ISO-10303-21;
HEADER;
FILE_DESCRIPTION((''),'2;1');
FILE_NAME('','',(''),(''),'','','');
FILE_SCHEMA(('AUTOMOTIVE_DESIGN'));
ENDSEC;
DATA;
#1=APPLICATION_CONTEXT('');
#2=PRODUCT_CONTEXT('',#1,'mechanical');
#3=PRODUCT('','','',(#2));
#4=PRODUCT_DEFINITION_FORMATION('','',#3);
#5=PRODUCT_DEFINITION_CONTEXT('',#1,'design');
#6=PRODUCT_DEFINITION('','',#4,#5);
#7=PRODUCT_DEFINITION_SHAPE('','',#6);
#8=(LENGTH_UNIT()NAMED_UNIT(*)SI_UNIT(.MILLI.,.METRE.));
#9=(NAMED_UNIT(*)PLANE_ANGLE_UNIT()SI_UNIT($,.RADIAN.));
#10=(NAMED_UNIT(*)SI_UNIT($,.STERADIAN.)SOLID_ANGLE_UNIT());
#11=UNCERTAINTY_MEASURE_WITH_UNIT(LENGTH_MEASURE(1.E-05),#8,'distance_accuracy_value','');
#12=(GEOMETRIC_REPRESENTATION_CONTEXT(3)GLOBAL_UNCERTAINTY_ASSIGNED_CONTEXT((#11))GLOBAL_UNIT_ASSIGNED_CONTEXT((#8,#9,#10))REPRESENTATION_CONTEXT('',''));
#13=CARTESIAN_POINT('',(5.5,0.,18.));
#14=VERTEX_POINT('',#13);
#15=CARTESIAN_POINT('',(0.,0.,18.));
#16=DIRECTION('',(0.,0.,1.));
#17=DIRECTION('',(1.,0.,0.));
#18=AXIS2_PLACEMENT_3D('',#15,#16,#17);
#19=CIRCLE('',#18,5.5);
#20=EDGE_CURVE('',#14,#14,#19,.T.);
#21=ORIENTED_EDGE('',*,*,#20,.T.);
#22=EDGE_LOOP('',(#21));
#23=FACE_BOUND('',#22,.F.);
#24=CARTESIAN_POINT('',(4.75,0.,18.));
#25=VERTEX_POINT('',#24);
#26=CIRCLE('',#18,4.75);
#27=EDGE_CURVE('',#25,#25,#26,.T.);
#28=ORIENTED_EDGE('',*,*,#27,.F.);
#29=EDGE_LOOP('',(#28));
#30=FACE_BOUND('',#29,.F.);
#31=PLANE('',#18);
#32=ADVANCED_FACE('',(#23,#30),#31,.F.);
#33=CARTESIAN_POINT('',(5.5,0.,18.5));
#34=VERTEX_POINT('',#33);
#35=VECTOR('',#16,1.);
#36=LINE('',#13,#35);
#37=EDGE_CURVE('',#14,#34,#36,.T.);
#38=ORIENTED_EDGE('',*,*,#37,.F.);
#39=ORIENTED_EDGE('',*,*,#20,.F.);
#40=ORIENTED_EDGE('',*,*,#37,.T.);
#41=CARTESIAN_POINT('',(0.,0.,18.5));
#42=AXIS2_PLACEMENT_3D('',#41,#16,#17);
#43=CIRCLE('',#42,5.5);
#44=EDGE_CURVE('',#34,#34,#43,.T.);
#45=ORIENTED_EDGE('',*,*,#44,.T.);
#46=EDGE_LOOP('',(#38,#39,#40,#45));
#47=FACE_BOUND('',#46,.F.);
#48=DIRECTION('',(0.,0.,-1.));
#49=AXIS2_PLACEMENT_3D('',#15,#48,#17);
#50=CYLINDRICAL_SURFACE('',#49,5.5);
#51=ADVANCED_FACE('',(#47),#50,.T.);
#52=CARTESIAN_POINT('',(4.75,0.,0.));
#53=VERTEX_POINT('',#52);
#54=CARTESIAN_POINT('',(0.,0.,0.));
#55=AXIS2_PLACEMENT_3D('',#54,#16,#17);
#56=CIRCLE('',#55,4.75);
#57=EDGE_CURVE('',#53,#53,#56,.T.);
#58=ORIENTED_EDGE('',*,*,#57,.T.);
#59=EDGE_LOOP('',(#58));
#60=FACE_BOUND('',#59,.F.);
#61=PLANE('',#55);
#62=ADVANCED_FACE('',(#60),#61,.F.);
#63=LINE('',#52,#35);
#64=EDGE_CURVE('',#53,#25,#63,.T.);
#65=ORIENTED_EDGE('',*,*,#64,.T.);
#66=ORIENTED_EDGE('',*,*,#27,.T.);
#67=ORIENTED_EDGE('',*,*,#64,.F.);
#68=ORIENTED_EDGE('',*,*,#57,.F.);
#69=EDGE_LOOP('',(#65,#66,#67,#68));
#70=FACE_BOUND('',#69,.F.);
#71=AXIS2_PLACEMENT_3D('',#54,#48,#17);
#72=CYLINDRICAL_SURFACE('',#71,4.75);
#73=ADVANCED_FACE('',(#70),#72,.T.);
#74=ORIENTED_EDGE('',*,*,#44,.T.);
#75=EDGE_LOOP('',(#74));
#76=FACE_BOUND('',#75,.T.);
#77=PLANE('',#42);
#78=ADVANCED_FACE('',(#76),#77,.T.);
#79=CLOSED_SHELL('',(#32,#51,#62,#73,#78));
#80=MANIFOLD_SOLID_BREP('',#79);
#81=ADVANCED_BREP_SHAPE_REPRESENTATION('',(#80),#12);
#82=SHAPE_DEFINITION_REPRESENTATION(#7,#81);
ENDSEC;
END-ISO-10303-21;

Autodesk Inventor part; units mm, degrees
ref_plane "YZ Plane" through (0, 0, 0) normal (1, 0, 0) x (0, 1, 0)
ref_plane "XZ Plane" through (0, 0, 0) normal (0, 1, 0) x (-1, 0, 0)
ref_plane "XY Plane" through (0, 0, 0) normal (0, 0, 1) x (1, 0, 0)
sketch "Sketch1" plane through (0, 0, 0) normal (0, 0, 1) x (1, 0, 0)
  circle A0 centre (0, 0) radius 4.75
  dimension "d0" = 9.5
extrude "Extrusion1" add sketch "Sketch1" along normal blind 18
sketch "Sketch2" plane through (0, 0, 18) normal (0, 0, 1) x (1, 0, 0)
  circle A0 centre (0, 0) radius 5.5
  dimension "d4" = 11
extrude "Extrusion2" add sketch "Sketch2" along normal blind 0.5
properties part number "capteur_tirette_mobile"
